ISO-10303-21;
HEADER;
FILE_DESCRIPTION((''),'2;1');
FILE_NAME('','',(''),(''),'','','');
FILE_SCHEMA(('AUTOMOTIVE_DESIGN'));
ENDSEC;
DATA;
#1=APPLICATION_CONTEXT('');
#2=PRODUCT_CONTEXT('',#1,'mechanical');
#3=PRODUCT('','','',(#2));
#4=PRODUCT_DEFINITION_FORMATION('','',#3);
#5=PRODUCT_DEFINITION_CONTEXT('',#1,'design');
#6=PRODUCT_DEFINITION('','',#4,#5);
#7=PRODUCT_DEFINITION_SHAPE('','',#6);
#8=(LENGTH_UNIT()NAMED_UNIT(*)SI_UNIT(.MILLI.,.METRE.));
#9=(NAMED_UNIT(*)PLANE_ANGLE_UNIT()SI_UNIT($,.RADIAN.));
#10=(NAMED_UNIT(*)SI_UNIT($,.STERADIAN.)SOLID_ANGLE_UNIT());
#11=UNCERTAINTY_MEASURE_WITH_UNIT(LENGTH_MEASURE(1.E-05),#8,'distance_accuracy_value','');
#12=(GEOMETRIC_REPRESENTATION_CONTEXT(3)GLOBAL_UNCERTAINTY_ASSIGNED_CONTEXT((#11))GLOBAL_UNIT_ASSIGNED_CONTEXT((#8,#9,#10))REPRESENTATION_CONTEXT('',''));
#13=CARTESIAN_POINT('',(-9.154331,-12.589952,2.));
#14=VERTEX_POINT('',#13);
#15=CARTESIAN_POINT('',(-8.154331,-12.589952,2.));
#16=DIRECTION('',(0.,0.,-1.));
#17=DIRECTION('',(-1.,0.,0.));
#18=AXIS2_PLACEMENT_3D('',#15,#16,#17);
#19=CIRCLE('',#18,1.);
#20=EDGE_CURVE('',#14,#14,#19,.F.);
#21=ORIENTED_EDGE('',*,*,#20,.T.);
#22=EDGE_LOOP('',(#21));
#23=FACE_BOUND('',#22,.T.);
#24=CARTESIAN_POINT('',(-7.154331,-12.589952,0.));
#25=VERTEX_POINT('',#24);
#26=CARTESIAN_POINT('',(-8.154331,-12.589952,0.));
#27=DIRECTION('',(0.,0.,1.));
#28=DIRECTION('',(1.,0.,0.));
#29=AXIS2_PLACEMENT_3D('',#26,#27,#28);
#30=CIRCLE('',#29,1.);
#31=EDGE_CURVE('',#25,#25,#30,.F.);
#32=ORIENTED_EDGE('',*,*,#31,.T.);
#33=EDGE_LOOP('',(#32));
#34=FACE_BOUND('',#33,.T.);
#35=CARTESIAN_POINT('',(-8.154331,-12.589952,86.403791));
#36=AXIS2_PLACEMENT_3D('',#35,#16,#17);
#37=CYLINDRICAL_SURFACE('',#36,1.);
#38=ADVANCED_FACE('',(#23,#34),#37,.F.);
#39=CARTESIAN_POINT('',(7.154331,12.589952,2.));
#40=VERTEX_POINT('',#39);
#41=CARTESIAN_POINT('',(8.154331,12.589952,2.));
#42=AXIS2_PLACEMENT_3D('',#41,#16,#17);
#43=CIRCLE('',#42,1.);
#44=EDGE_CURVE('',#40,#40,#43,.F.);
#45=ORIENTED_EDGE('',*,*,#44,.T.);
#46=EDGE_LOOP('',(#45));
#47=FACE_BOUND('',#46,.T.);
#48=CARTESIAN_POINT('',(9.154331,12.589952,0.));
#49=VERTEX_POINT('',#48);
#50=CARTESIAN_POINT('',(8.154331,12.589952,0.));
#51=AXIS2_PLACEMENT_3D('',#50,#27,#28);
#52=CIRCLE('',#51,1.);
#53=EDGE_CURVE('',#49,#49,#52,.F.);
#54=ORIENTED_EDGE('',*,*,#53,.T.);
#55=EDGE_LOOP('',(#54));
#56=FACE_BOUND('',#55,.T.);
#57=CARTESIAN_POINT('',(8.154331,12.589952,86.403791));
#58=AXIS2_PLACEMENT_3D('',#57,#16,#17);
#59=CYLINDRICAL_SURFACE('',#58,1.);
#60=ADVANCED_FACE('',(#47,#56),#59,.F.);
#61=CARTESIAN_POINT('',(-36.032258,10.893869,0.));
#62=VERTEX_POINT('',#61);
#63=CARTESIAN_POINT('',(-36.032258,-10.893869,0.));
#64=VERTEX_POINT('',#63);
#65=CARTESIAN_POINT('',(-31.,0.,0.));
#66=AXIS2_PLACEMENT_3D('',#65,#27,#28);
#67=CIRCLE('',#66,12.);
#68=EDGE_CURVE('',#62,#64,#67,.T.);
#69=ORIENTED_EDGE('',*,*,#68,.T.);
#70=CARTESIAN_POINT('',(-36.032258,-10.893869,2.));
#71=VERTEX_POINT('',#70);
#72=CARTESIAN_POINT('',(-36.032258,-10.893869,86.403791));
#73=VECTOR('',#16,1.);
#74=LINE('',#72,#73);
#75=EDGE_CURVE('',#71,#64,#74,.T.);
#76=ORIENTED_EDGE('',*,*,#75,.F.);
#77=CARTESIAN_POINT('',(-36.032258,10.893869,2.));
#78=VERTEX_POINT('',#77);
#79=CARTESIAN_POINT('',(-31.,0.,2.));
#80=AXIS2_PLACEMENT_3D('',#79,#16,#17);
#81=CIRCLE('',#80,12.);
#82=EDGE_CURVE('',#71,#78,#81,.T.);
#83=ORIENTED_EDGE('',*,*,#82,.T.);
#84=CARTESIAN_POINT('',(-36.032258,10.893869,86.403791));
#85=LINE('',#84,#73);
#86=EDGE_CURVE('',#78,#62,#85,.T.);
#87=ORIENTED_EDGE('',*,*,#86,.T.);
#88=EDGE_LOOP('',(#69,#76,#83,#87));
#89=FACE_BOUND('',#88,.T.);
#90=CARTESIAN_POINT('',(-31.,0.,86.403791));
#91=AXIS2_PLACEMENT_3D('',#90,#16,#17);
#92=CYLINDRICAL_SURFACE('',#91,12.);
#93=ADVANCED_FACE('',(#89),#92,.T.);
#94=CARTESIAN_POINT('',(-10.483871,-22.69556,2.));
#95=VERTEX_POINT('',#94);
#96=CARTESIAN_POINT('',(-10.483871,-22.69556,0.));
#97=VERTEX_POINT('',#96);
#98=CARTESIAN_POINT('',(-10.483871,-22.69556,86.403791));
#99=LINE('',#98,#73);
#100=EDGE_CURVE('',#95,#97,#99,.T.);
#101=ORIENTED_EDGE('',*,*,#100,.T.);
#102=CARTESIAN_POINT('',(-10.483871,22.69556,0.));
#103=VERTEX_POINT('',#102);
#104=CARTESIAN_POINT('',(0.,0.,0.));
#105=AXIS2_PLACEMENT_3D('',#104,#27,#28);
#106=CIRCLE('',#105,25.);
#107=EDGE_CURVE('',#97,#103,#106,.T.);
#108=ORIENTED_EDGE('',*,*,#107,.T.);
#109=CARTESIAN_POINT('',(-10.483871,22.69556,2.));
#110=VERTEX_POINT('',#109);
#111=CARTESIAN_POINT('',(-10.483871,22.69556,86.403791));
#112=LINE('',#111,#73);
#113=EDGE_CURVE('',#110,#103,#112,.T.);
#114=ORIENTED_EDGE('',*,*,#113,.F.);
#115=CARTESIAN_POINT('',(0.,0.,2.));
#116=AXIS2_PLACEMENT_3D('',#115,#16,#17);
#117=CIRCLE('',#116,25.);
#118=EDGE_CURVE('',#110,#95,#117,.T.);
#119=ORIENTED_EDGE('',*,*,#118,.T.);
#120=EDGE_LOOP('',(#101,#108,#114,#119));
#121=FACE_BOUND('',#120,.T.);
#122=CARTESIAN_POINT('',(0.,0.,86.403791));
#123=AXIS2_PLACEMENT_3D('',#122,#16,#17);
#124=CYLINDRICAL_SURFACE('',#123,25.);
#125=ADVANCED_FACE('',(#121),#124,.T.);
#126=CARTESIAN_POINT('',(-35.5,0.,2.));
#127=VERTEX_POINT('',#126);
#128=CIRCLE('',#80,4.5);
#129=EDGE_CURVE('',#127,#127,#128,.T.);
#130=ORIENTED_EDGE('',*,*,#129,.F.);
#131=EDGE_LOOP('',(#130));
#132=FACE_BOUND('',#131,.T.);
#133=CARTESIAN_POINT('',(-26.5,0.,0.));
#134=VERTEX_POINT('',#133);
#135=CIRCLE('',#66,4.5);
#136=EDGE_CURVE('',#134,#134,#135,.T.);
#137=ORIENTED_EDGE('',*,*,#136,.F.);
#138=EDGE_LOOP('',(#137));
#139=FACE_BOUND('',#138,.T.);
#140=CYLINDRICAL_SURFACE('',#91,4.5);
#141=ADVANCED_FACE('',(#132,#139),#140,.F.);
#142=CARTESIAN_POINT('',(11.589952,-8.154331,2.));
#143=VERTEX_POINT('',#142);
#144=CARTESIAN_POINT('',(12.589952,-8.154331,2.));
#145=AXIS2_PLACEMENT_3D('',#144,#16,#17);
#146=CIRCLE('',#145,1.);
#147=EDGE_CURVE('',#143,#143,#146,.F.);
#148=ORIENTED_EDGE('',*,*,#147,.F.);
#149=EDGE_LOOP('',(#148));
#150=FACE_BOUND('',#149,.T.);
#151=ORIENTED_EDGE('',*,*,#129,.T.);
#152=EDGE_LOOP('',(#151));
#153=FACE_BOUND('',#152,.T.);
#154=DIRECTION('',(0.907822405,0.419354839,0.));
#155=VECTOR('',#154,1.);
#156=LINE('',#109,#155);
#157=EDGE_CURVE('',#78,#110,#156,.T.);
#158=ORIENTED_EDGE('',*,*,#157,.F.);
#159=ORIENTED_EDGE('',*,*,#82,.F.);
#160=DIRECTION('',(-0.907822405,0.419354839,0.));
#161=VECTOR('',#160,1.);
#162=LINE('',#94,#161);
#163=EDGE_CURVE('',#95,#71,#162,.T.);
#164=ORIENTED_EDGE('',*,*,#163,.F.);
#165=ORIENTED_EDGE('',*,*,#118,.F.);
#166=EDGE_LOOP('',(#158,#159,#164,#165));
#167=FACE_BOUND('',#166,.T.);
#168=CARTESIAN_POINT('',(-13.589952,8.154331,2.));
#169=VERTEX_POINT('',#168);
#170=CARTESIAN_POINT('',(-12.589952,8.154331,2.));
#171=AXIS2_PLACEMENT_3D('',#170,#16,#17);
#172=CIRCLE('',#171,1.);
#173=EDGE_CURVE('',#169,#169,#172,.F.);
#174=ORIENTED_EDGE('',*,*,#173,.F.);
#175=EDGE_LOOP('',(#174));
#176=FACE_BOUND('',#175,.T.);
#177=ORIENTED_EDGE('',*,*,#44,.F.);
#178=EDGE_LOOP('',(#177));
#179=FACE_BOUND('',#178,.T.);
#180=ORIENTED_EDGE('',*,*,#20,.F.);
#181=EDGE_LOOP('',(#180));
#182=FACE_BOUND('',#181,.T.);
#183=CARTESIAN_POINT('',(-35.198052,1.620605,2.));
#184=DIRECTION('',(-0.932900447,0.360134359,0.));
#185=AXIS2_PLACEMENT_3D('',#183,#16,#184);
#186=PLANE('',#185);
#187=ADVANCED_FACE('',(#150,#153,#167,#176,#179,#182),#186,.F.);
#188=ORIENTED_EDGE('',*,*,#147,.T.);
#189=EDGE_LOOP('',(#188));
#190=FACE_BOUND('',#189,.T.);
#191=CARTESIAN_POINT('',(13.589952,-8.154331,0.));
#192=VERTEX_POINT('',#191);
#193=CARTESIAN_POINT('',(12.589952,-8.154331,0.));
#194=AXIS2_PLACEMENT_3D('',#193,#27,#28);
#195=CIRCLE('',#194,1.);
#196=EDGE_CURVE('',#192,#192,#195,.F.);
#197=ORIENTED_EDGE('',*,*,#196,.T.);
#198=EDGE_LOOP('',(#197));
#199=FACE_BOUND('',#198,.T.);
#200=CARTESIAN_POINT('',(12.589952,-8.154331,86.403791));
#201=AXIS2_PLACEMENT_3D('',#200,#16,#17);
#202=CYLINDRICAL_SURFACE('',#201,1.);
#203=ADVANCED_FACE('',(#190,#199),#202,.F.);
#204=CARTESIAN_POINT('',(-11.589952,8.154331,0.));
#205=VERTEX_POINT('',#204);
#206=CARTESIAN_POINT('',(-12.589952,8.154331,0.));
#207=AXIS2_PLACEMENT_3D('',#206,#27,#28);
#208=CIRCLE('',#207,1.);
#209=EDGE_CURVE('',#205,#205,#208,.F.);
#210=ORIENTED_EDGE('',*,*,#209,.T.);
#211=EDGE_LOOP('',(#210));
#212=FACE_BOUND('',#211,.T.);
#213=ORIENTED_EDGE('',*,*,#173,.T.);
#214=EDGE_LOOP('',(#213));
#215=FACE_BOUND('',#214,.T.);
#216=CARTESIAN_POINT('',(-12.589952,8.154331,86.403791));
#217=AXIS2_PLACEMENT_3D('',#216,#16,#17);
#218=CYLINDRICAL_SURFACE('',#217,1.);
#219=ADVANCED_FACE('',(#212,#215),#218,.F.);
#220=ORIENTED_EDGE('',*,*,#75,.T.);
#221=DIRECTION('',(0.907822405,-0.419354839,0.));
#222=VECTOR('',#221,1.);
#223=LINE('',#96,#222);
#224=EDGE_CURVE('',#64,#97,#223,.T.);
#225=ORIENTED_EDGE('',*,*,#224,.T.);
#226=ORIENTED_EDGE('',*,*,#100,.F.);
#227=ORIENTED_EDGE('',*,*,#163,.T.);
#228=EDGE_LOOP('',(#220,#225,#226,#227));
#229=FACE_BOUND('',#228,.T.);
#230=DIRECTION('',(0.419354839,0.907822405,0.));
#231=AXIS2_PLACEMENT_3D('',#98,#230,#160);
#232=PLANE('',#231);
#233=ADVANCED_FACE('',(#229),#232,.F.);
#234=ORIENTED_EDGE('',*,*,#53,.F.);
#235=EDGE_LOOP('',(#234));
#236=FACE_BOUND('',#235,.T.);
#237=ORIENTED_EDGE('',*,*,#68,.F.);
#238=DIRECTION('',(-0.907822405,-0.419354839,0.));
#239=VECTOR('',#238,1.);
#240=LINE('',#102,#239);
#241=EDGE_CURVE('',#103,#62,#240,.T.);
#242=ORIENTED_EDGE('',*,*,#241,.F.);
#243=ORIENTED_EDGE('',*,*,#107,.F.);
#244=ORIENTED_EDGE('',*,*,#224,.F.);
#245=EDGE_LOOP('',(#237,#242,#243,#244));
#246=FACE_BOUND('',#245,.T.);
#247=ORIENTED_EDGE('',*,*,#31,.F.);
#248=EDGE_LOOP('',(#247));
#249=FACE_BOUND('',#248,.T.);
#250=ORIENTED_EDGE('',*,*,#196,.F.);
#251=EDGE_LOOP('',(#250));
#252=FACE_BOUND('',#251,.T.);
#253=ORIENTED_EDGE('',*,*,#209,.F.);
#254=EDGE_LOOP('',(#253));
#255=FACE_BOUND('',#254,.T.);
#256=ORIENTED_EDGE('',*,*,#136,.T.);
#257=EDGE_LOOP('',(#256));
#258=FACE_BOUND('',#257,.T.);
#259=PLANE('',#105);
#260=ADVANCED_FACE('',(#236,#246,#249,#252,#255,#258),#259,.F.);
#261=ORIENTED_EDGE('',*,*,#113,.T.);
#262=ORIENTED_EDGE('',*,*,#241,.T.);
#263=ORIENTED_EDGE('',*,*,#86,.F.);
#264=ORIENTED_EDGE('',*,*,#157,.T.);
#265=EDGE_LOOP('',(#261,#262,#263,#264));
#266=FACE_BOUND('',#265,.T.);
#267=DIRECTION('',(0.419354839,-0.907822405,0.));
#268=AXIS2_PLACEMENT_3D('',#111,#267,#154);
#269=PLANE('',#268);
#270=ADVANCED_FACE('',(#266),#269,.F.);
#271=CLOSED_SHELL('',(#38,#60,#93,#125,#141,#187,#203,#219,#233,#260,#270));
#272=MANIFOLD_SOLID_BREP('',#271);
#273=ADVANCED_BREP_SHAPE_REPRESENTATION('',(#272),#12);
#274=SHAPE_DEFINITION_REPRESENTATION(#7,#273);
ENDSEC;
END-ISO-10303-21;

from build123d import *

# Parameters (mm, degrees)
SKETCH1_R           = 1
SKETCH1_R_2         = 7.5
BOSS_EXTRUDE1_DEPTH = 2


with BuildPart() as part:
    # Sketch1 → Boss-Extrude1 (new body)
    # profile 1 of 2: a face of its own
    with BuildSketch(Plane.XY):
        with BuildLine():
            ThreePointArc((-36.032258065, 10.893868862), (-43, 0), (-36.032258065, -10.893868862))
            Line((-36.032258065, -10.893868862), (-10.483870968, -22.695560128))
            ThreePointArc((-10.483870968, -22.695560128), (8.421796013, -23.538762752), (22.501635968, -10.893868862))
            ThreePointArc((22.501635968, -10.893868862), (25, 0), (22.501635968, 10.893868862))
            ThreePointArc((22.501635968, 10.893868862), (8.421796013, 23.538762752), (-10.483870968, 22.695560128))
            Line((-10.483870968, 22.695560128), (-36.032258065, 10.893868862))
        make_face()
        with Locations(Location((8.154330676, 12.589951995, 0), (0, 0, 180))):
            Circle(SKETCH1_R, mode=Mode.SUBTRACT)
        with Locations(Location((-8.154330676, -12.589951995, 0), (0, 0, 180))):
            Circle(SKETCH1_R, mode=Mode.SUBTRACT)
        with Locations((-31, 0)):
            Circle(SKETCH1_R_2, mode=Mode.SUBTRACT)
        with Locations(Location((12.589951995, -8.154330676, 0), (0, 0, 180))):
            Circle(SKETCH1_R, mode=Mode.SUBTRACT)
        with Locations(Location((-12.589951995, 8.154330676, 0), (0, 0, 180))):
            Circle(SKETCH1_R, mode=Mode.SUBTRACT)
    # profile 2 of 2: a face of its own
    with BuildSketch(Plane.XY):
        with Locations((-31, 0)):
            Circle(SKETCH1_R_2)
        with BuildLine():
            ThreePointArc((-35.198052011, 1.620604614), (-29.379395386, 4.198052011), (-26.801947989, -1.620604614))
            ThreePointArc((-26.801947989, -1.620604614), (-32.620604614, -4.198052011), (-35.198052011, 1.620604614))
        make_face(mode=Mode.SUBTRACT)
    extrude(amount=BOSS_EXTRUDE1_DEPTH)


solid = part.part
